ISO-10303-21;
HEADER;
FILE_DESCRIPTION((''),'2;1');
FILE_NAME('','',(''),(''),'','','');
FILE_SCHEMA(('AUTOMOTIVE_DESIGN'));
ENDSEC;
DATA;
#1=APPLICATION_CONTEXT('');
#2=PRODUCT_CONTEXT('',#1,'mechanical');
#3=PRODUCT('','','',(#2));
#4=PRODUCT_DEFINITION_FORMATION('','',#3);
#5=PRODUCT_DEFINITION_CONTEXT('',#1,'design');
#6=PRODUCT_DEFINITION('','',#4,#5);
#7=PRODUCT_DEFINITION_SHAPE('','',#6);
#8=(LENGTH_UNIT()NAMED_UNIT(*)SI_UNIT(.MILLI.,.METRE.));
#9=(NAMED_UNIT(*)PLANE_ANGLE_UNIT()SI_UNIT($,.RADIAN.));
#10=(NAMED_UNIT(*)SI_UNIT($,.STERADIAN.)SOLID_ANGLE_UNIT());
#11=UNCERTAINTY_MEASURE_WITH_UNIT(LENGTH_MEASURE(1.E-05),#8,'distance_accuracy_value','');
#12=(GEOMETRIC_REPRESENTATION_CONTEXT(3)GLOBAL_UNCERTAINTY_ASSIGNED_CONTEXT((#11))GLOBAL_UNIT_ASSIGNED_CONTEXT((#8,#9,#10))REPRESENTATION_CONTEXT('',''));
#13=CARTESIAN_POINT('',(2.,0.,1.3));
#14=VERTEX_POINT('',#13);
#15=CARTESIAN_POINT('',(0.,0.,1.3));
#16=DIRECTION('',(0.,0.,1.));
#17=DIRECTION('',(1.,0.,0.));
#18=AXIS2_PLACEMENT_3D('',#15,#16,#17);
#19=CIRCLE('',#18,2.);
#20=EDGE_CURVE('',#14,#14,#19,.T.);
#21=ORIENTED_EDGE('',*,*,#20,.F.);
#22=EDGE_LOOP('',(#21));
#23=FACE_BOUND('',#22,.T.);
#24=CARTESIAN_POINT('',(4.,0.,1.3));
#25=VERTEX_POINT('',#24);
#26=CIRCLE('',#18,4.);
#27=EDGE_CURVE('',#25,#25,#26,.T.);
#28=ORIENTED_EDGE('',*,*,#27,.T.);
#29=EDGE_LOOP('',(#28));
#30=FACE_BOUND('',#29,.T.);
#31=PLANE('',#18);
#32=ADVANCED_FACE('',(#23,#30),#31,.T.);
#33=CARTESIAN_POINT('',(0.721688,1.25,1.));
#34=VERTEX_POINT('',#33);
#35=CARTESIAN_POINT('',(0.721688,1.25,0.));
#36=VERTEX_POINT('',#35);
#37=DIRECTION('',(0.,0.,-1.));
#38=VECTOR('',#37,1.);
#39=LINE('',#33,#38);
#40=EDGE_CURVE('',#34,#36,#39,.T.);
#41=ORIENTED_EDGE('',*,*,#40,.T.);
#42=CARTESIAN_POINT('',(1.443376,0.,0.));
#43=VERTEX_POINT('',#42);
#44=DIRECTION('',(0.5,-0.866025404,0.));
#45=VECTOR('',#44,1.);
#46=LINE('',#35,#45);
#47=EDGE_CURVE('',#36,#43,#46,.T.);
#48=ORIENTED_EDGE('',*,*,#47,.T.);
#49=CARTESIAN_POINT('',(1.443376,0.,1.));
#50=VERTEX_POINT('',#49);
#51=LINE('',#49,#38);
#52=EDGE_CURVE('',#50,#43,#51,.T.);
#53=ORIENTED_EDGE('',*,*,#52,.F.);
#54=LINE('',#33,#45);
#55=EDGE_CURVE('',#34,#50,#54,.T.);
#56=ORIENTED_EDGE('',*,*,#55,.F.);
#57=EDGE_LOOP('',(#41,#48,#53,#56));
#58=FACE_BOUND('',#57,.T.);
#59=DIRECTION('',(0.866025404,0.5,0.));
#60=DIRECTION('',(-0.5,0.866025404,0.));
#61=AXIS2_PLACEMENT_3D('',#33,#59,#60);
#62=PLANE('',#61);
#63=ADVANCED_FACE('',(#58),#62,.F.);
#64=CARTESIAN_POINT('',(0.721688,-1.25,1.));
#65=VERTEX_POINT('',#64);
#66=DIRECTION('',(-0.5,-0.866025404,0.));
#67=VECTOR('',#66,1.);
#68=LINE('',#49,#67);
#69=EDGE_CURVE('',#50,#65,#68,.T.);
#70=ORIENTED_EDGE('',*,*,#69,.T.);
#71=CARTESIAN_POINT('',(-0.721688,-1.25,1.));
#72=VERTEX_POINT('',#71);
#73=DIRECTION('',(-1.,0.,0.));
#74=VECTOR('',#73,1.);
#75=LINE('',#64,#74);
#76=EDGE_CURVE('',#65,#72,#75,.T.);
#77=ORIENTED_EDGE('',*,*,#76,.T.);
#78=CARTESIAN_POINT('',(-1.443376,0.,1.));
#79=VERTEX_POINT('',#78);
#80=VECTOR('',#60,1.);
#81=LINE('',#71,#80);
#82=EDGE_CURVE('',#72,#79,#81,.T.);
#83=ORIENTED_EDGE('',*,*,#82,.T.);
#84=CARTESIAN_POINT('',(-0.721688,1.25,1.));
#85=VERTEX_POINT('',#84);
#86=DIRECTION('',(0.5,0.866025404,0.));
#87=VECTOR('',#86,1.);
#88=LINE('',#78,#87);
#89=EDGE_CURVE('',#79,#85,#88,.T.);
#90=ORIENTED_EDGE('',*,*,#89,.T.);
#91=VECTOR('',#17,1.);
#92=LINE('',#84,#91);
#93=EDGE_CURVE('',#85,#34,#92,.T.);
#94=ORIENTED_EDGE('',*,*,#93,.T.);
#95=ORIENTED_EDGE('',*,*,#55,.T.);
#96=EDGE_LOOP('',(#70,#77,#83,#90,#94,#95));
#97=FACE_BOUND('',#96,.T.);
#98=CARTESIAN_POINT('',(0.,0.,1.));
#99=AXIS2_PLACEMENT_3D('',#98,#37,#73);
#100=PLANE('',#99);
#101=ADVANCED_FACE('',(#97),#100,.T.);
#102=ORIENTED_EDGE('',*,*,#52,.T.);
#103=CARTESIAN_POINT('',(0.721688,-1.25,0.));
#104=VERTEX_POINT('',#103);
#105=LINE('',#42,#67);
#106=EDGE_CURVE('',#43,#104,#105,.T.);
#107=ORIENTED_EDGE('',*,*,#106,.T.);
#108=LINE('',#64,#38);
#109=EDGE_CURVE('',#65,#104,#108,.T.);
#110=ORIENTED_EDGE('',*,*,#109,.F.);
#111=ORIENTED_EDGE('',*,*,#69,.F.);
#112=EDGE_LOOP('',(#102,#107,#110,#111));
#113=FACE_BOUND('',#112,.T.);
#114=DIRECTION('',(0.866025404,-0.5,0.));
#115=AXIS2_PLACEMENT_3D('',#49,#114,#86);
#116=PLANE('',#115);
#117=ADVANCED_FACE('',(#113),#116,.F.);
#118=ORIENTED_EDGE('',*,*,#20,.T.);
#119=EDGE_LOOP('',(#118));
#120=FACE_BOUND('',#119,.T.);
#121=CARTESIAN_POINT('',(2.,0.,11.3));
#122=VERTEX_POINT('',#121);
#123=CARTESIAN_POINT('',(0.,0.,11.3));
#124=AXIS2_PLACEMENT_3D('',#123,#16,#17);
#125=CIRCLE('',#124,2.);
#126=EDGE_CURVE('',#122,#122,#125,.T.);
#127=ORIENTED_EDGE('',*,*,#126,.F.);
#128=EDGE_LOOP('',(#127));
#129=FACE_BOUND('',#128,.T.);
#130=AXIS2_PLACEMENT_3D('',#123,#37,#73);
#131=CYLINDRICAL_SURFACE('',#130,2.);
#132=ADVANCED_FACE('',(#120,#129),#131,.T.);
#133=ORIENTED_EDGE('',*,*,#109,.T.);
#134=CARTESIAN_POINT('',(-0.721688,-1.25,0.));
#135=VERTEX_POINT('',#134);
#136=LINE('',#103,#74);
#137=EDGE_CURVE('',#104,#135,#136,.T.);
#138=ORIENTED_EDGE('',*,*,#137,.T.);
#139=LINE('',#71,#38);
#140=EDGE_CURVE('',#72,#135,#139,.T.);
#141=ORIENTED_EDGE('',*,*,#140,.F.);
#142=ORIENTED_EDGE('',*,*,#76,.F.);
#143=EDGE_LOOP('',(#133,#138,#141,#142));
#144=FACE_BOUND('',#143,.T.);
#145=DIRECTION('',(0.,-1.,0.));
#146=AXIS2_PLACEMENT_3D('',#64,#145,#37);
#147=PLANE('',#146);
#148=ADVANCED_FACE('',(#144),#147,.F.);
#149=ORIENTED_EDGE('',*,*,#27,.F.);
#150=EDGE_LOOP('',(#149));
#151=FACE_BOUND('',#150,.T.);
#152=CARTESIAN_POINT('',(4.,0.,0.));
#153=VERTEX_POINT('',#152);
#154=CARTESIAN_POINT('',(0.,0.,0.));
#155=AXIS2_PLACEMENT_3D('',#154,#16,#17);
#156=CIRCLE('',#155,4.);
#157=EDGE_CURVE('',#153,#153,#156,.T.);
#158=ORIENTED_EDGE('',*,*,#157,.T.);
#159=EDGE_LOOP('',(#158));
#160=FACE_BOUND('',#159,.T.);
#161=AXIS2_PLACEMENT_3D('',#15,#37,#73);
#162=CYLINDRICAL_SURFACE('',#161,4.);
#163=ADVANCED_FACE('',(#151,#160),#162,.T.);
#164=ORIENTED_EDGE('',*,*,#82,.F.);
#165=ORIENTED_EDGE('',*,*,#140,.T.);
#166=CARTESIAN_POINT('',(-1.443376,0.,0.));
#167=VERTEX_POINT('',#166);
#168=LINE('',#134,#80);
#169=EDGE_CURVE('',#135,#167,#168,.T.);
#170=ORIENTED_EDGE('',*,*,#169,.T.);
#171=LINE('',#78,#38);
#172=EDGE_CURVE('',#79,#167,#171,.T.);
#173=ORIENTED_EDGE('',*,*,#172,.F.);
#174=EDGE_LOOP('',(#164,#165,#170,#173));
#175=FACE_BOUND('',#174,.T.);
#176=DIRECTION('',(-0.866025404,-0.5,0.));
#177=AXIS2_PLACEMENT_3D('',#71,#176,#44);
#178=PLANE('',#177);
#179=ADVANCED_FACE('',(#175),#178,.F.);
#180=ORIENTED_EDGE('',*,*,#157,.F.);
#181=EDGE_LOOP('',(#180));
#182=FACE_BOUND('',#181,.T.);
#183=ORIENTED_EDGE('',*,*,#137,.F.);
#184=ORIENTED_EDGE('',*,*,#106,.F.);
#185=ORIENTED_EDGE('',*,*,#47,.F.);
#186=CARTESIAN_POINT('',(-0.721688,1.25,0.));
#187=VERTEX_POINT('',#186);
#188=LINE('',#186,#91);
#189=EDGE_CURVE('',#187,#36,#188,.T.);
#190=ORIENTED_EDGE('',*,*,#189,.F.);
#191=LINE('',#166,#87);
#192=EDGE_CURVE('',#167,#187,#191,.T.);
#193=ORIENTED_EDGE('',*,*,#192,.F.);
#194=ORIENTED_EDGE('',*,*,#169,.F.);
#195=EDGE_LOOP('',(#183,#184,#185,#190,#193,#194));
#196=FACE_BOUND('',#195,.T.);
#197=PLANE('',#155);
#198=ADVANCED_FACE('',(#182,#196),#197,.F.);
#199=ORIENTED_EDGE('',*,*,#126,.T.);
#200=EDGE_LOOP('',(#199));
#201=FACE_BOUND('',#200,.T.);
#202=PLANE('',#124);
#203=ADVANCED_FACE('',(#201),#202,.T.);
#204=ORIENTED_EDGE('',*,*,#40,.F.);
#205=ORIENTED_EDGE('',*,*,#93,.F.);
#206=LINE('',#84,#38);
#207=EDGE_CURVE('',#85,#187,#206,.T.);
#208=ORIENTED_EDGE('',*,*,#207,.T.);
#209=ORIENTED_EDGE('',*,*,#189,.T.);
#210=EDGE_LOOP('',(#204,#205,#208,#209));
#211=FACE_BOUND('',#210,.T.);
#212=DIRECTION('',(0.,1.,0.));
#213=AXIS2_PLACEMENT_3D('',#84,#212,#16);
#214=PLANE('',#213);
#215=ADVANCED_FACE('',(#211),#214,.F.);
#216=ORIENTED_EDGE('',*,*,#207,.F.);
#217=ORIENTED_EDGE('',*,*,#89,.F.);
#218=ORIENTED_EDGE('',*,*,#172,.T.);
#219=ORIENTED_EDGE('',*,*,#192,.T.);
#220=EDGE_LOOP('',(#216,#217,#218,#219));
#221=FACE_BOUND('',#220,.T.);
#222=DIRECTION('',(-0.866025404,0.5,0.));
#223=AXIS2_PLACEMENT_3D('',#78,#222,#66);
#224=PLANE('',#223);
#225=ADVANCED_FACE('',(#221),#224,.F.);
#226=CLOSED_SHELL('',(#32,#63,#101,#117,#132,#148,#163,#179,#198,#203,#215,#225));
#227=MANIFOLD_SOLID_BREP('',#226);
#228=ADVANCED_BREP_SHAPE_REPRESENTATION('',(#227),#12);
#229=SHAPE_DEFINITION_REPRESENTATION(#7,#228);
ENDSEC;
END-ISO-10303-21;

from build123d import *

# Parameters (mm, degrees)
SKETCH_1_R          = 4
EXTRUDE_1_DEPTH     = 1.3
SKETCH_2_R          = 2
EXTRUDE_2_DEPTH     = 10
CUT_EXTRUDE_1_DEPTH = 1


with BuildPart() as part:
    # 草图1 → 凸台-拉伸1 (new body)
    with BuildSketch(Plane.XY):
        Circle(SKETCH_1_R)
    extrude(amount=EXTRUDE_1_DEPTH)

    # 草图2 → 凸台-拉伸2 (add)
    with BuildSketch(Plane.XY.offset(1.3)):
        Circle(SKETCH_2_R)
    extrude(amount=EXTRUDE_2_DEPTH)

    # 草图3 → 切除-拉伸1 (cut)
    with BuildSketch(Plane(origin=(0, 0, 0), x_dir=(-1, 0, 0), z_dir=(0, 0, -1))):
        Polygon((1.443375673, 0), (0.721687836, 1.25), (-0.721687836, 1.25), (-1.443375673, 0), (-0.721687836, -1.25), (0.721687836, -1.25), align=None)
    extrude(amount=-CUT_EXTRUDE_1_DEPTH, mode=Mode.SUBTRACT)


solid = part.part
